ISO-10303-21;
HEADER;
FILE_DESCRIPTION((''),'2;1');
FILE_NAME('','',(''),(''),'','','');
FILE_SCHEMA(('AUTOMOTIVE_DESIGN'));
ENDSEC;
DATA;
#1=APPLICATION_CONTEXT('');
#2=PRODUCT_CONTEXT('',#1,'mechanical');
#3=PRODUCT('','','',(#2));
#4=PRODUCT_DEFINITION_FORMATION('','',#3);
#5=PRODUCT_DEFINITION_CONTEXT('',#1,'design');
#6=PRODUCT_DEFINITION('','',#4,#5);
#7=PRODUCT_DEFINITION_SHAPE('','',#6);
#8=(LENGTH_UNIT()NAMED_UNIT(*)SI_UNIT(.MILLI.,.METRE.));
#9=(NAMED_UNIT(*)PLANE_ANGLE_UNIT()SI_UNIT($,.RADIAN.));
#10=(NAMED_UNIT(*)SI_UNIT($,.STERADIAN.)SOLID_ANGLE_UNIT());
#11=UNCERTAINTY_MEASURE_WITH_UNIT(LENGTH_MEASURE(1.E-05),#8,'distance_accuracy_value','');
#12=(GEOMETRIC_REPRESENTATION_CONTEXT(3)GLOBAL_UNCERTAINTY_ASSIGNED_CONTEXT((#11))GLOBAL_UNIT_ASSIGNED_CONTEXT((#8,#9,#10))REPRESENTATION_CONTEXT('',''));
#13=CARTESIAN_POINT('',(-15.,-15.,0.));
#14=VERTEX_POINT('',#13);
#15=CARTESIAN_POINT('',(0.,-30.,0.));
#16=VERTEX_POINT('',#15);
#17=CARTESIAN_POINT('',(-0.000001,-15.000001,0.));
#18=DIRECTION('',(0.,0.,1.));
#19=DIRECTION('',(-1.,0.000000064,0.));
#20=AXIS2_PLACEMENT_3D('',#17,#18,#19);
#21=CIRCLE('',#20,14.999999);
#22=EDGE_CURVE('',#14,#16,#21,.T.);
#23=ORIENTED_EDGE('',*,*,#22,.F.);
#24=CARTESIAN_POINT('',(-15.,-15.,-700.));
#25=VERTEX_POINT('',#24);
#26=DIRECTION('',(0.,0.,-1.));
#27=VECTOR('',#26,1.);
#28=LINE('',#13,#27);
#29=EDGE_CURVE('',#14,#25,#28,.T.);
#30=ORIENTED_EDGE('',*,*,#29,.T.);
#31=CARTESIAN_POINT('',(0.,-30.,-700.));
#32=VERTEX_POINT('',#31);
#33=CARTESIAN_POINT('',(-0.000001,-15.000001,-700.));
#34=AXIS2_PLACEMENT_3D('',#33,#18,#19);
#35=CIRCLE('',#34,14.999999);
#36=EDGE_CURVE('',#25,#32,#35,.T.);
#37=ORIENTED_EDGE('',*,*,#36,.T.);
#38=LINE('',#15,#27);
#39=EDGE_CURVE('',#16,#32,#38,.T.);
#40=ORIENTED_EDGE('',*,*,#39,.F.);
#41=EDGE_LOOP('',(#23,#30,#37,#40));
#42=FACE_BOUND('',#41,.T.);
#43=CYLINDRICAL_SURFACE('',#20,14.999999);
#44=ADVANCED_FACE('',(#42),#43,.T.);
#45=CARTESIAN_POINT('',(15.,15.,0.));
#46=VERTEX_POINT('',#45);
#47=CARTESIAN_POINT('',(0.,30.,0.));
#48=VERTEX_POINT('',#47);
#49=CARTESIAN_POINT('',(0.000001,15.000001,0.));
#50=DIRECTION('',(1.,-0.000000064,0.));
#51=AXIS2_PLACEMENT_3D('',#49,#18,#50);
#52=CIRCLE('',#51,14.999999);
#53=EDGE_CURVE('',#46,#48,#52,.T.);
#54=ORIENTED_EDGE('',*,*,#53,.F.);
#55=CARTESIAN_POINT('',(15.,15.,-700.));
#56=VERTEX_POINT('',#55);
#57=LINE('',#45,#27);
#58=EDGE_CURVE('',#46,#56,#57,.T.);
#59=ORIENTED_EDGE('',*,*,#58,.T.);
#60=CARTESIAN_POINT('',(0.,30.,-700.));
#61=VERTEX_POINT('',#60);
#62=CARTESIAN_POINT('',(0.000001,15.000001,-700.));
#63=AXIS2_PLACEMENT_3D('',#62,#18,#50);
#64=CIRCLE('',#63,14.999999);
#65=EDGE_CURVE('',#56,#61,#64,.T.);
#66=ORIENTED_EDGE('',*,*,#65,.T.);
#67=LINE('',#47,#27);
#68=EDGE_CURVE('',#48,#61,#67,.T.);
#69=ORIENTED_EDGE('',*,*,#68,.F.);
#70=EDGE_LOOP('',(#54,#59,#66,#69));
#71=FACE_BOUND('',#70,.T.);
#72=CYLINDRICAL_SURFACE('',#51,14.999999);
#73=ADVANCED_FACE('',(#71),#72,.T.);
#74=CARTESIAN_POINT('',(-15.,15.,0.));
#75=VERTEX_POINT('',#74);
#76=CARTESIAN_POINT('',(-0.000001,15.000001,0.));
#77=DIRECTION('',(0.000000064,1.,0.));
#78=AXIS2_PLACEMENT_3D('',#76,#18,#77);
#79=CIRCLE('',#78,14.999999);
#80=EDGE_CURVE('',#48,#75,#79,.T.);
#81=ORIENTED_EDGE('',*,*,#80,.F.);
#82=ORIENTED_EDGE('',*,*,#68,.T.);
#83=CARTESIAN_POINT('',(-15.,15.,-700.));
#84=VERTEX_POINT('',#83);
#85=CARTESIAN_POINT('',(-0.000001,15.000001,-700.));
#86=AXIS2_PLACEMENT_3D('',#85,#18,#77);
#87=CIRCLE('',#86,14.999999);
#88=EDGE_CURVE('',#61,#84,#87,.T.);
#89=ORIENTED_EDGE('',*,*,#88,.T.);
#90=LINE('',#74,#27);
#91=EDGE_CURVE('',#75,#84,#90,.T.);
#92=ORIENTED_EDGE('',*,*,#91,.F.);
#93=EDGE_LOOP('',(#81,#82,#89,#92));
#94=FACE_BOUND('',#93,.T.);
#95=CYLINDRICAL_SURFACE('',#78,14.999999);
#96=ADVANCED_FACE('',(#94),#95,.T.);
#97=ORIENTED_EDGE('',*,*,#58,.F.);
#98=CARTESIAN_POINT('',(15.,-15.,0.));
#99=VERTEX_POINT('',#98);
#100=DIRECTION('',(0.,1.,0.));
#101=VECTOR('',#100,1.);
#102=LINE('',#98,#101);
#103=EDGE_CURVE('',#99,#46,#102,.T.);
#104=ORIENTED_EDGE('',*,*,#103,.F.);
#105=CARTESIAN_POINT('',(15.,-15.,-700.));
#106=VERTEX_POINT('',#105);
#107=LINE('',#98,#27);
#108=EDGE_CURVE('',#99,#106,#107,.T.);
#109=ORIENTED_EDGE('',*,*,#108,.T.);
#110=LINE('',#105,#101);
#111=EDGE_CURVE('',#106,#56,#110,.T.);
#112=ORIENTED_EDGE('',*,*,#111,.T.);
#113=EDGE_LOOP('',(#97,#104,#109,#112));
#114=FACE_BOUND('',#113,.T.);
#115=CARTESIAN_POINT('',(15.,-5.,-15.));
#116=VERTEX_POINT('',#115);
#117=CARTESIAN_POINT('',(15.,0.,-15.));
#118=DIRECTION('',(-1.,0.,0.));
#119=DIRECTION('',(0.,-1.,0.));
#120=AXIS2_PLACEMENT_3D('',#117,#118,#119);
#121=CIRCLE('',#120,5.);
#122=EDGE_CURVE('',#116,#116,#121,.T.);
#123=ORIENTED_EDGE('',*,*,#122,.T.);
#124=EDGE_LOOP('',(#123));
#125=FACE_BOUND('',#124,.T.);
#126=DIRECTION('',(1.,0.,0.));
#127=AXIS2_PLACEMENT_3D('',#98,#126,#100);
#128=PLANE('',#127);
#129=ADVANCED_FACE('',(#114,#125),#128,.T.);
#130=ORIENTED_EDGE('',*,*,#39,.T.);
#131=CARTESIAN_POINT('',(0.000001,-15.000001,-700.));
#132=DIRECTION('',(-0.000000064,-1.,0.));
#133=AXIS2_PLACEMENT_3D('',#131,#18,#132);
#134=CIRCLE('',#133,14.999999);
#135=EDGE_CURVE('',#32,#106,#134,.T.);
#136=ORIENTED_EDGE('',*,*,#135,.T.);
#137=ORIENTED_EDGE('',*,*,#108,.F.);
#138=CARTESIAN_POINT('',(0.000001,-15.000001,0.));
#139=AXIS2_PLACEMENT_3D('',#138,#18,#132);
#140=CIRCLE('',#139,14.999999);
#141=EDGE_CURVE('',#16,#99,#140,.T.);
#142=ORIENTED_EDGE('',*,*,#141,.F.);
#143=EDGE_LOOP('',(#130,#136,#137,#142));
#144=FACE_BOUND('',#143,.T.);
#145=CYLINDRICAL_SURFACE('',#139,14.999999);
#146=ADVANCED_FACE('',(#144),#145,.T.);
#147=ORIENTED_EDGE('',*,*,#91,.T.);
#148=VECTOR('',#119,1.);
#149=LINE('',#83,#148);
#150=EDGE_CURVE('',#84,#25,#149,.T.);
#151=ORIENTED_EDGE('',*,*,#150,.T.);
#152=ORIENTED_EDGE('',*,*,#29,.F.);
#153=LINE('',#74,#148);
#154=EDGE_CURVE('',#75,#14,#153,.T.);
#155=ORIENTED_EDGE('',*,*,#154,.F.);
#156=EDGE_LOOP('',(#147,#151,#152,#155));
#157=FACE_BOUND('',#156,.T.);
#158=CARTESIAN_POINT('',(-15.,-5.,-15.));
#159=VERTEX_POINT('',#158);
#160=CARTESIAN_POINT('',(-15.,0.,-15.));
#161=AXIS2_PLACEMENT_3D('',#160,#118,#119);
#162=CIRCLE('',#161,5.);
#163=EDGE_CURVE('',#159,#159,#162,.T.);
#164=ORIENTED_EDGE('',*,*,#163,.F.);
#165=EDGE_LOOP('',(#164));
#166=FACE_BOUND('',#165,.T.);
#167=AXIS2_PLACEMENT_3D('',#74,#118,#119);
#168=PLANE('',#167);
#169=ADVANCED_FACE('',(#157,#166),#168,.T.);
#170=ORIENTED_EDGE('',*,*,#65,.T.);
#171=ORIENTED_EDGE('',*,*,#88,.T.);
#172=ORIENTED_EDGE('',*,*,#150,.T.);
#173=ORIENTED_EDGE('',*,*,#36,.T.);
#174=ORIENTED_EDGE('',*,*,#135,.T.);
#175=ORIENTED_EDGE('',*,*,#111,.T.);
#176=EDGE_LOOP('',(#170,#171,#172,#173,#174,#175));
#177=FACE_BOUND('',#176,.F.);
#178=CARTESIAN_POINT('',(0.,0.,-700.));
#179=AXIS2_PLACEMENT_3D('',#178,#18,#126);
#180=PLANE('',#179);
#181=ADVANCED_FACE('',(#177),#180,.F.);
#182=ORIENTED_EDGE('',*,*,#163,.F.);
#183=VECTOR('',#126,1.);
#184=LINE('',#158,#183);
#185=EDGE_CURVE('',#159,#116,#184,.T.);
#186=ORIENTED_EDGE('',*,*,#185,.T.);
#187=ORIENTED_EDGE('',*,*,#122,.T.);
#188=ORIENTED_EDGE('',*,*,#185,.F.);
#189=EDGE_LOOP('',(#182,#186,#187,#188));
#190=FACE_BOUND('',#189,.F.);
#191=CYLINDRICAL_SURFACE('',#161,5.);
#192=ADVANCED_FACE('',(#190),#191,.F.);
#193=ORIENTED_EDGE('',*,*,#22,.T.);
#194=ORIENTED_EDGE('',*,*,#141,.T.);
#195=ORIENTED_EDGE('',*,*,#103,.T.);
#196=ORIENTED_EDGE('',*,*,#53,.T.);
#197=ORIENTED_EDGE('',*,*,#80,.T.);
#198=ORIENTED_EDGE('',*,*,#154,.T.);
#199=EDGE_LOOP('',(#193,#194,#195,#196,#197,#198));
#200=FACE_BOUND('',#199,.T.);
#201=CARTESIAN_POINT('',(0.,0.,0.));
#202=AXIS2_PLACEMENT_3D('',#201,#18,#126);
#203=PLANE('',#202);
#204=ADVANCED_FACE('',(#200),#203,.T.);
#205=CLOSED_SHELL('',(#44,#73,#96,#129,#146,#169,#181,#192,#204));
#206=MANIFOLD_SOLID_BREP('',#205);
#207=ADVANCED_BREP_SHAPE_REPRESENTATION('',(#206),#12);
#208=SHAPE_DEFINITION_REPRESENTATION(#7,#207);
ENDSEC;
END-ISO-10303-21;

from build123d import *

# Parameters (mm, degrees)
F1_DEPTH = 700
F2_R     = 5
F3_DEPTH = 35


with BuildPart() as f1:
    # F0 (on Top) → F1 (new body)
    with BuildSketch(Plane.XY):
        with BuildLine():
            ThreePointArc((0, 30), (-10.606602, 25.606602), (-15, 15))
            Line((-15, 15), (-15, -15))
            ThreePointArc((-15, -15), (-10.606602, -25.606602), (0, -30))
            ThreePointArc((0, -30), (10.606602, -25.606602), (15, -15))
            Line((15, -15), (15, 15))
            ThreePointArc((15, 15), (10.606602, 25.606602), (0, 30))
        make_face()
    extrude(amount=-F1_DEPTH)

    # F2 (on face) → F3 (cut)
    with BuildSketch(Plane(origin=(-15, 0, 0), x_dir=(0, -1, 0), z_dir=(-1, 0, 0))):
        with Locations((0, -15)):
            Circle(F2_R)
    extrude(amount=-F3_DEPTH, mode=Mode.SUBTRACT)


solid = f1.part
